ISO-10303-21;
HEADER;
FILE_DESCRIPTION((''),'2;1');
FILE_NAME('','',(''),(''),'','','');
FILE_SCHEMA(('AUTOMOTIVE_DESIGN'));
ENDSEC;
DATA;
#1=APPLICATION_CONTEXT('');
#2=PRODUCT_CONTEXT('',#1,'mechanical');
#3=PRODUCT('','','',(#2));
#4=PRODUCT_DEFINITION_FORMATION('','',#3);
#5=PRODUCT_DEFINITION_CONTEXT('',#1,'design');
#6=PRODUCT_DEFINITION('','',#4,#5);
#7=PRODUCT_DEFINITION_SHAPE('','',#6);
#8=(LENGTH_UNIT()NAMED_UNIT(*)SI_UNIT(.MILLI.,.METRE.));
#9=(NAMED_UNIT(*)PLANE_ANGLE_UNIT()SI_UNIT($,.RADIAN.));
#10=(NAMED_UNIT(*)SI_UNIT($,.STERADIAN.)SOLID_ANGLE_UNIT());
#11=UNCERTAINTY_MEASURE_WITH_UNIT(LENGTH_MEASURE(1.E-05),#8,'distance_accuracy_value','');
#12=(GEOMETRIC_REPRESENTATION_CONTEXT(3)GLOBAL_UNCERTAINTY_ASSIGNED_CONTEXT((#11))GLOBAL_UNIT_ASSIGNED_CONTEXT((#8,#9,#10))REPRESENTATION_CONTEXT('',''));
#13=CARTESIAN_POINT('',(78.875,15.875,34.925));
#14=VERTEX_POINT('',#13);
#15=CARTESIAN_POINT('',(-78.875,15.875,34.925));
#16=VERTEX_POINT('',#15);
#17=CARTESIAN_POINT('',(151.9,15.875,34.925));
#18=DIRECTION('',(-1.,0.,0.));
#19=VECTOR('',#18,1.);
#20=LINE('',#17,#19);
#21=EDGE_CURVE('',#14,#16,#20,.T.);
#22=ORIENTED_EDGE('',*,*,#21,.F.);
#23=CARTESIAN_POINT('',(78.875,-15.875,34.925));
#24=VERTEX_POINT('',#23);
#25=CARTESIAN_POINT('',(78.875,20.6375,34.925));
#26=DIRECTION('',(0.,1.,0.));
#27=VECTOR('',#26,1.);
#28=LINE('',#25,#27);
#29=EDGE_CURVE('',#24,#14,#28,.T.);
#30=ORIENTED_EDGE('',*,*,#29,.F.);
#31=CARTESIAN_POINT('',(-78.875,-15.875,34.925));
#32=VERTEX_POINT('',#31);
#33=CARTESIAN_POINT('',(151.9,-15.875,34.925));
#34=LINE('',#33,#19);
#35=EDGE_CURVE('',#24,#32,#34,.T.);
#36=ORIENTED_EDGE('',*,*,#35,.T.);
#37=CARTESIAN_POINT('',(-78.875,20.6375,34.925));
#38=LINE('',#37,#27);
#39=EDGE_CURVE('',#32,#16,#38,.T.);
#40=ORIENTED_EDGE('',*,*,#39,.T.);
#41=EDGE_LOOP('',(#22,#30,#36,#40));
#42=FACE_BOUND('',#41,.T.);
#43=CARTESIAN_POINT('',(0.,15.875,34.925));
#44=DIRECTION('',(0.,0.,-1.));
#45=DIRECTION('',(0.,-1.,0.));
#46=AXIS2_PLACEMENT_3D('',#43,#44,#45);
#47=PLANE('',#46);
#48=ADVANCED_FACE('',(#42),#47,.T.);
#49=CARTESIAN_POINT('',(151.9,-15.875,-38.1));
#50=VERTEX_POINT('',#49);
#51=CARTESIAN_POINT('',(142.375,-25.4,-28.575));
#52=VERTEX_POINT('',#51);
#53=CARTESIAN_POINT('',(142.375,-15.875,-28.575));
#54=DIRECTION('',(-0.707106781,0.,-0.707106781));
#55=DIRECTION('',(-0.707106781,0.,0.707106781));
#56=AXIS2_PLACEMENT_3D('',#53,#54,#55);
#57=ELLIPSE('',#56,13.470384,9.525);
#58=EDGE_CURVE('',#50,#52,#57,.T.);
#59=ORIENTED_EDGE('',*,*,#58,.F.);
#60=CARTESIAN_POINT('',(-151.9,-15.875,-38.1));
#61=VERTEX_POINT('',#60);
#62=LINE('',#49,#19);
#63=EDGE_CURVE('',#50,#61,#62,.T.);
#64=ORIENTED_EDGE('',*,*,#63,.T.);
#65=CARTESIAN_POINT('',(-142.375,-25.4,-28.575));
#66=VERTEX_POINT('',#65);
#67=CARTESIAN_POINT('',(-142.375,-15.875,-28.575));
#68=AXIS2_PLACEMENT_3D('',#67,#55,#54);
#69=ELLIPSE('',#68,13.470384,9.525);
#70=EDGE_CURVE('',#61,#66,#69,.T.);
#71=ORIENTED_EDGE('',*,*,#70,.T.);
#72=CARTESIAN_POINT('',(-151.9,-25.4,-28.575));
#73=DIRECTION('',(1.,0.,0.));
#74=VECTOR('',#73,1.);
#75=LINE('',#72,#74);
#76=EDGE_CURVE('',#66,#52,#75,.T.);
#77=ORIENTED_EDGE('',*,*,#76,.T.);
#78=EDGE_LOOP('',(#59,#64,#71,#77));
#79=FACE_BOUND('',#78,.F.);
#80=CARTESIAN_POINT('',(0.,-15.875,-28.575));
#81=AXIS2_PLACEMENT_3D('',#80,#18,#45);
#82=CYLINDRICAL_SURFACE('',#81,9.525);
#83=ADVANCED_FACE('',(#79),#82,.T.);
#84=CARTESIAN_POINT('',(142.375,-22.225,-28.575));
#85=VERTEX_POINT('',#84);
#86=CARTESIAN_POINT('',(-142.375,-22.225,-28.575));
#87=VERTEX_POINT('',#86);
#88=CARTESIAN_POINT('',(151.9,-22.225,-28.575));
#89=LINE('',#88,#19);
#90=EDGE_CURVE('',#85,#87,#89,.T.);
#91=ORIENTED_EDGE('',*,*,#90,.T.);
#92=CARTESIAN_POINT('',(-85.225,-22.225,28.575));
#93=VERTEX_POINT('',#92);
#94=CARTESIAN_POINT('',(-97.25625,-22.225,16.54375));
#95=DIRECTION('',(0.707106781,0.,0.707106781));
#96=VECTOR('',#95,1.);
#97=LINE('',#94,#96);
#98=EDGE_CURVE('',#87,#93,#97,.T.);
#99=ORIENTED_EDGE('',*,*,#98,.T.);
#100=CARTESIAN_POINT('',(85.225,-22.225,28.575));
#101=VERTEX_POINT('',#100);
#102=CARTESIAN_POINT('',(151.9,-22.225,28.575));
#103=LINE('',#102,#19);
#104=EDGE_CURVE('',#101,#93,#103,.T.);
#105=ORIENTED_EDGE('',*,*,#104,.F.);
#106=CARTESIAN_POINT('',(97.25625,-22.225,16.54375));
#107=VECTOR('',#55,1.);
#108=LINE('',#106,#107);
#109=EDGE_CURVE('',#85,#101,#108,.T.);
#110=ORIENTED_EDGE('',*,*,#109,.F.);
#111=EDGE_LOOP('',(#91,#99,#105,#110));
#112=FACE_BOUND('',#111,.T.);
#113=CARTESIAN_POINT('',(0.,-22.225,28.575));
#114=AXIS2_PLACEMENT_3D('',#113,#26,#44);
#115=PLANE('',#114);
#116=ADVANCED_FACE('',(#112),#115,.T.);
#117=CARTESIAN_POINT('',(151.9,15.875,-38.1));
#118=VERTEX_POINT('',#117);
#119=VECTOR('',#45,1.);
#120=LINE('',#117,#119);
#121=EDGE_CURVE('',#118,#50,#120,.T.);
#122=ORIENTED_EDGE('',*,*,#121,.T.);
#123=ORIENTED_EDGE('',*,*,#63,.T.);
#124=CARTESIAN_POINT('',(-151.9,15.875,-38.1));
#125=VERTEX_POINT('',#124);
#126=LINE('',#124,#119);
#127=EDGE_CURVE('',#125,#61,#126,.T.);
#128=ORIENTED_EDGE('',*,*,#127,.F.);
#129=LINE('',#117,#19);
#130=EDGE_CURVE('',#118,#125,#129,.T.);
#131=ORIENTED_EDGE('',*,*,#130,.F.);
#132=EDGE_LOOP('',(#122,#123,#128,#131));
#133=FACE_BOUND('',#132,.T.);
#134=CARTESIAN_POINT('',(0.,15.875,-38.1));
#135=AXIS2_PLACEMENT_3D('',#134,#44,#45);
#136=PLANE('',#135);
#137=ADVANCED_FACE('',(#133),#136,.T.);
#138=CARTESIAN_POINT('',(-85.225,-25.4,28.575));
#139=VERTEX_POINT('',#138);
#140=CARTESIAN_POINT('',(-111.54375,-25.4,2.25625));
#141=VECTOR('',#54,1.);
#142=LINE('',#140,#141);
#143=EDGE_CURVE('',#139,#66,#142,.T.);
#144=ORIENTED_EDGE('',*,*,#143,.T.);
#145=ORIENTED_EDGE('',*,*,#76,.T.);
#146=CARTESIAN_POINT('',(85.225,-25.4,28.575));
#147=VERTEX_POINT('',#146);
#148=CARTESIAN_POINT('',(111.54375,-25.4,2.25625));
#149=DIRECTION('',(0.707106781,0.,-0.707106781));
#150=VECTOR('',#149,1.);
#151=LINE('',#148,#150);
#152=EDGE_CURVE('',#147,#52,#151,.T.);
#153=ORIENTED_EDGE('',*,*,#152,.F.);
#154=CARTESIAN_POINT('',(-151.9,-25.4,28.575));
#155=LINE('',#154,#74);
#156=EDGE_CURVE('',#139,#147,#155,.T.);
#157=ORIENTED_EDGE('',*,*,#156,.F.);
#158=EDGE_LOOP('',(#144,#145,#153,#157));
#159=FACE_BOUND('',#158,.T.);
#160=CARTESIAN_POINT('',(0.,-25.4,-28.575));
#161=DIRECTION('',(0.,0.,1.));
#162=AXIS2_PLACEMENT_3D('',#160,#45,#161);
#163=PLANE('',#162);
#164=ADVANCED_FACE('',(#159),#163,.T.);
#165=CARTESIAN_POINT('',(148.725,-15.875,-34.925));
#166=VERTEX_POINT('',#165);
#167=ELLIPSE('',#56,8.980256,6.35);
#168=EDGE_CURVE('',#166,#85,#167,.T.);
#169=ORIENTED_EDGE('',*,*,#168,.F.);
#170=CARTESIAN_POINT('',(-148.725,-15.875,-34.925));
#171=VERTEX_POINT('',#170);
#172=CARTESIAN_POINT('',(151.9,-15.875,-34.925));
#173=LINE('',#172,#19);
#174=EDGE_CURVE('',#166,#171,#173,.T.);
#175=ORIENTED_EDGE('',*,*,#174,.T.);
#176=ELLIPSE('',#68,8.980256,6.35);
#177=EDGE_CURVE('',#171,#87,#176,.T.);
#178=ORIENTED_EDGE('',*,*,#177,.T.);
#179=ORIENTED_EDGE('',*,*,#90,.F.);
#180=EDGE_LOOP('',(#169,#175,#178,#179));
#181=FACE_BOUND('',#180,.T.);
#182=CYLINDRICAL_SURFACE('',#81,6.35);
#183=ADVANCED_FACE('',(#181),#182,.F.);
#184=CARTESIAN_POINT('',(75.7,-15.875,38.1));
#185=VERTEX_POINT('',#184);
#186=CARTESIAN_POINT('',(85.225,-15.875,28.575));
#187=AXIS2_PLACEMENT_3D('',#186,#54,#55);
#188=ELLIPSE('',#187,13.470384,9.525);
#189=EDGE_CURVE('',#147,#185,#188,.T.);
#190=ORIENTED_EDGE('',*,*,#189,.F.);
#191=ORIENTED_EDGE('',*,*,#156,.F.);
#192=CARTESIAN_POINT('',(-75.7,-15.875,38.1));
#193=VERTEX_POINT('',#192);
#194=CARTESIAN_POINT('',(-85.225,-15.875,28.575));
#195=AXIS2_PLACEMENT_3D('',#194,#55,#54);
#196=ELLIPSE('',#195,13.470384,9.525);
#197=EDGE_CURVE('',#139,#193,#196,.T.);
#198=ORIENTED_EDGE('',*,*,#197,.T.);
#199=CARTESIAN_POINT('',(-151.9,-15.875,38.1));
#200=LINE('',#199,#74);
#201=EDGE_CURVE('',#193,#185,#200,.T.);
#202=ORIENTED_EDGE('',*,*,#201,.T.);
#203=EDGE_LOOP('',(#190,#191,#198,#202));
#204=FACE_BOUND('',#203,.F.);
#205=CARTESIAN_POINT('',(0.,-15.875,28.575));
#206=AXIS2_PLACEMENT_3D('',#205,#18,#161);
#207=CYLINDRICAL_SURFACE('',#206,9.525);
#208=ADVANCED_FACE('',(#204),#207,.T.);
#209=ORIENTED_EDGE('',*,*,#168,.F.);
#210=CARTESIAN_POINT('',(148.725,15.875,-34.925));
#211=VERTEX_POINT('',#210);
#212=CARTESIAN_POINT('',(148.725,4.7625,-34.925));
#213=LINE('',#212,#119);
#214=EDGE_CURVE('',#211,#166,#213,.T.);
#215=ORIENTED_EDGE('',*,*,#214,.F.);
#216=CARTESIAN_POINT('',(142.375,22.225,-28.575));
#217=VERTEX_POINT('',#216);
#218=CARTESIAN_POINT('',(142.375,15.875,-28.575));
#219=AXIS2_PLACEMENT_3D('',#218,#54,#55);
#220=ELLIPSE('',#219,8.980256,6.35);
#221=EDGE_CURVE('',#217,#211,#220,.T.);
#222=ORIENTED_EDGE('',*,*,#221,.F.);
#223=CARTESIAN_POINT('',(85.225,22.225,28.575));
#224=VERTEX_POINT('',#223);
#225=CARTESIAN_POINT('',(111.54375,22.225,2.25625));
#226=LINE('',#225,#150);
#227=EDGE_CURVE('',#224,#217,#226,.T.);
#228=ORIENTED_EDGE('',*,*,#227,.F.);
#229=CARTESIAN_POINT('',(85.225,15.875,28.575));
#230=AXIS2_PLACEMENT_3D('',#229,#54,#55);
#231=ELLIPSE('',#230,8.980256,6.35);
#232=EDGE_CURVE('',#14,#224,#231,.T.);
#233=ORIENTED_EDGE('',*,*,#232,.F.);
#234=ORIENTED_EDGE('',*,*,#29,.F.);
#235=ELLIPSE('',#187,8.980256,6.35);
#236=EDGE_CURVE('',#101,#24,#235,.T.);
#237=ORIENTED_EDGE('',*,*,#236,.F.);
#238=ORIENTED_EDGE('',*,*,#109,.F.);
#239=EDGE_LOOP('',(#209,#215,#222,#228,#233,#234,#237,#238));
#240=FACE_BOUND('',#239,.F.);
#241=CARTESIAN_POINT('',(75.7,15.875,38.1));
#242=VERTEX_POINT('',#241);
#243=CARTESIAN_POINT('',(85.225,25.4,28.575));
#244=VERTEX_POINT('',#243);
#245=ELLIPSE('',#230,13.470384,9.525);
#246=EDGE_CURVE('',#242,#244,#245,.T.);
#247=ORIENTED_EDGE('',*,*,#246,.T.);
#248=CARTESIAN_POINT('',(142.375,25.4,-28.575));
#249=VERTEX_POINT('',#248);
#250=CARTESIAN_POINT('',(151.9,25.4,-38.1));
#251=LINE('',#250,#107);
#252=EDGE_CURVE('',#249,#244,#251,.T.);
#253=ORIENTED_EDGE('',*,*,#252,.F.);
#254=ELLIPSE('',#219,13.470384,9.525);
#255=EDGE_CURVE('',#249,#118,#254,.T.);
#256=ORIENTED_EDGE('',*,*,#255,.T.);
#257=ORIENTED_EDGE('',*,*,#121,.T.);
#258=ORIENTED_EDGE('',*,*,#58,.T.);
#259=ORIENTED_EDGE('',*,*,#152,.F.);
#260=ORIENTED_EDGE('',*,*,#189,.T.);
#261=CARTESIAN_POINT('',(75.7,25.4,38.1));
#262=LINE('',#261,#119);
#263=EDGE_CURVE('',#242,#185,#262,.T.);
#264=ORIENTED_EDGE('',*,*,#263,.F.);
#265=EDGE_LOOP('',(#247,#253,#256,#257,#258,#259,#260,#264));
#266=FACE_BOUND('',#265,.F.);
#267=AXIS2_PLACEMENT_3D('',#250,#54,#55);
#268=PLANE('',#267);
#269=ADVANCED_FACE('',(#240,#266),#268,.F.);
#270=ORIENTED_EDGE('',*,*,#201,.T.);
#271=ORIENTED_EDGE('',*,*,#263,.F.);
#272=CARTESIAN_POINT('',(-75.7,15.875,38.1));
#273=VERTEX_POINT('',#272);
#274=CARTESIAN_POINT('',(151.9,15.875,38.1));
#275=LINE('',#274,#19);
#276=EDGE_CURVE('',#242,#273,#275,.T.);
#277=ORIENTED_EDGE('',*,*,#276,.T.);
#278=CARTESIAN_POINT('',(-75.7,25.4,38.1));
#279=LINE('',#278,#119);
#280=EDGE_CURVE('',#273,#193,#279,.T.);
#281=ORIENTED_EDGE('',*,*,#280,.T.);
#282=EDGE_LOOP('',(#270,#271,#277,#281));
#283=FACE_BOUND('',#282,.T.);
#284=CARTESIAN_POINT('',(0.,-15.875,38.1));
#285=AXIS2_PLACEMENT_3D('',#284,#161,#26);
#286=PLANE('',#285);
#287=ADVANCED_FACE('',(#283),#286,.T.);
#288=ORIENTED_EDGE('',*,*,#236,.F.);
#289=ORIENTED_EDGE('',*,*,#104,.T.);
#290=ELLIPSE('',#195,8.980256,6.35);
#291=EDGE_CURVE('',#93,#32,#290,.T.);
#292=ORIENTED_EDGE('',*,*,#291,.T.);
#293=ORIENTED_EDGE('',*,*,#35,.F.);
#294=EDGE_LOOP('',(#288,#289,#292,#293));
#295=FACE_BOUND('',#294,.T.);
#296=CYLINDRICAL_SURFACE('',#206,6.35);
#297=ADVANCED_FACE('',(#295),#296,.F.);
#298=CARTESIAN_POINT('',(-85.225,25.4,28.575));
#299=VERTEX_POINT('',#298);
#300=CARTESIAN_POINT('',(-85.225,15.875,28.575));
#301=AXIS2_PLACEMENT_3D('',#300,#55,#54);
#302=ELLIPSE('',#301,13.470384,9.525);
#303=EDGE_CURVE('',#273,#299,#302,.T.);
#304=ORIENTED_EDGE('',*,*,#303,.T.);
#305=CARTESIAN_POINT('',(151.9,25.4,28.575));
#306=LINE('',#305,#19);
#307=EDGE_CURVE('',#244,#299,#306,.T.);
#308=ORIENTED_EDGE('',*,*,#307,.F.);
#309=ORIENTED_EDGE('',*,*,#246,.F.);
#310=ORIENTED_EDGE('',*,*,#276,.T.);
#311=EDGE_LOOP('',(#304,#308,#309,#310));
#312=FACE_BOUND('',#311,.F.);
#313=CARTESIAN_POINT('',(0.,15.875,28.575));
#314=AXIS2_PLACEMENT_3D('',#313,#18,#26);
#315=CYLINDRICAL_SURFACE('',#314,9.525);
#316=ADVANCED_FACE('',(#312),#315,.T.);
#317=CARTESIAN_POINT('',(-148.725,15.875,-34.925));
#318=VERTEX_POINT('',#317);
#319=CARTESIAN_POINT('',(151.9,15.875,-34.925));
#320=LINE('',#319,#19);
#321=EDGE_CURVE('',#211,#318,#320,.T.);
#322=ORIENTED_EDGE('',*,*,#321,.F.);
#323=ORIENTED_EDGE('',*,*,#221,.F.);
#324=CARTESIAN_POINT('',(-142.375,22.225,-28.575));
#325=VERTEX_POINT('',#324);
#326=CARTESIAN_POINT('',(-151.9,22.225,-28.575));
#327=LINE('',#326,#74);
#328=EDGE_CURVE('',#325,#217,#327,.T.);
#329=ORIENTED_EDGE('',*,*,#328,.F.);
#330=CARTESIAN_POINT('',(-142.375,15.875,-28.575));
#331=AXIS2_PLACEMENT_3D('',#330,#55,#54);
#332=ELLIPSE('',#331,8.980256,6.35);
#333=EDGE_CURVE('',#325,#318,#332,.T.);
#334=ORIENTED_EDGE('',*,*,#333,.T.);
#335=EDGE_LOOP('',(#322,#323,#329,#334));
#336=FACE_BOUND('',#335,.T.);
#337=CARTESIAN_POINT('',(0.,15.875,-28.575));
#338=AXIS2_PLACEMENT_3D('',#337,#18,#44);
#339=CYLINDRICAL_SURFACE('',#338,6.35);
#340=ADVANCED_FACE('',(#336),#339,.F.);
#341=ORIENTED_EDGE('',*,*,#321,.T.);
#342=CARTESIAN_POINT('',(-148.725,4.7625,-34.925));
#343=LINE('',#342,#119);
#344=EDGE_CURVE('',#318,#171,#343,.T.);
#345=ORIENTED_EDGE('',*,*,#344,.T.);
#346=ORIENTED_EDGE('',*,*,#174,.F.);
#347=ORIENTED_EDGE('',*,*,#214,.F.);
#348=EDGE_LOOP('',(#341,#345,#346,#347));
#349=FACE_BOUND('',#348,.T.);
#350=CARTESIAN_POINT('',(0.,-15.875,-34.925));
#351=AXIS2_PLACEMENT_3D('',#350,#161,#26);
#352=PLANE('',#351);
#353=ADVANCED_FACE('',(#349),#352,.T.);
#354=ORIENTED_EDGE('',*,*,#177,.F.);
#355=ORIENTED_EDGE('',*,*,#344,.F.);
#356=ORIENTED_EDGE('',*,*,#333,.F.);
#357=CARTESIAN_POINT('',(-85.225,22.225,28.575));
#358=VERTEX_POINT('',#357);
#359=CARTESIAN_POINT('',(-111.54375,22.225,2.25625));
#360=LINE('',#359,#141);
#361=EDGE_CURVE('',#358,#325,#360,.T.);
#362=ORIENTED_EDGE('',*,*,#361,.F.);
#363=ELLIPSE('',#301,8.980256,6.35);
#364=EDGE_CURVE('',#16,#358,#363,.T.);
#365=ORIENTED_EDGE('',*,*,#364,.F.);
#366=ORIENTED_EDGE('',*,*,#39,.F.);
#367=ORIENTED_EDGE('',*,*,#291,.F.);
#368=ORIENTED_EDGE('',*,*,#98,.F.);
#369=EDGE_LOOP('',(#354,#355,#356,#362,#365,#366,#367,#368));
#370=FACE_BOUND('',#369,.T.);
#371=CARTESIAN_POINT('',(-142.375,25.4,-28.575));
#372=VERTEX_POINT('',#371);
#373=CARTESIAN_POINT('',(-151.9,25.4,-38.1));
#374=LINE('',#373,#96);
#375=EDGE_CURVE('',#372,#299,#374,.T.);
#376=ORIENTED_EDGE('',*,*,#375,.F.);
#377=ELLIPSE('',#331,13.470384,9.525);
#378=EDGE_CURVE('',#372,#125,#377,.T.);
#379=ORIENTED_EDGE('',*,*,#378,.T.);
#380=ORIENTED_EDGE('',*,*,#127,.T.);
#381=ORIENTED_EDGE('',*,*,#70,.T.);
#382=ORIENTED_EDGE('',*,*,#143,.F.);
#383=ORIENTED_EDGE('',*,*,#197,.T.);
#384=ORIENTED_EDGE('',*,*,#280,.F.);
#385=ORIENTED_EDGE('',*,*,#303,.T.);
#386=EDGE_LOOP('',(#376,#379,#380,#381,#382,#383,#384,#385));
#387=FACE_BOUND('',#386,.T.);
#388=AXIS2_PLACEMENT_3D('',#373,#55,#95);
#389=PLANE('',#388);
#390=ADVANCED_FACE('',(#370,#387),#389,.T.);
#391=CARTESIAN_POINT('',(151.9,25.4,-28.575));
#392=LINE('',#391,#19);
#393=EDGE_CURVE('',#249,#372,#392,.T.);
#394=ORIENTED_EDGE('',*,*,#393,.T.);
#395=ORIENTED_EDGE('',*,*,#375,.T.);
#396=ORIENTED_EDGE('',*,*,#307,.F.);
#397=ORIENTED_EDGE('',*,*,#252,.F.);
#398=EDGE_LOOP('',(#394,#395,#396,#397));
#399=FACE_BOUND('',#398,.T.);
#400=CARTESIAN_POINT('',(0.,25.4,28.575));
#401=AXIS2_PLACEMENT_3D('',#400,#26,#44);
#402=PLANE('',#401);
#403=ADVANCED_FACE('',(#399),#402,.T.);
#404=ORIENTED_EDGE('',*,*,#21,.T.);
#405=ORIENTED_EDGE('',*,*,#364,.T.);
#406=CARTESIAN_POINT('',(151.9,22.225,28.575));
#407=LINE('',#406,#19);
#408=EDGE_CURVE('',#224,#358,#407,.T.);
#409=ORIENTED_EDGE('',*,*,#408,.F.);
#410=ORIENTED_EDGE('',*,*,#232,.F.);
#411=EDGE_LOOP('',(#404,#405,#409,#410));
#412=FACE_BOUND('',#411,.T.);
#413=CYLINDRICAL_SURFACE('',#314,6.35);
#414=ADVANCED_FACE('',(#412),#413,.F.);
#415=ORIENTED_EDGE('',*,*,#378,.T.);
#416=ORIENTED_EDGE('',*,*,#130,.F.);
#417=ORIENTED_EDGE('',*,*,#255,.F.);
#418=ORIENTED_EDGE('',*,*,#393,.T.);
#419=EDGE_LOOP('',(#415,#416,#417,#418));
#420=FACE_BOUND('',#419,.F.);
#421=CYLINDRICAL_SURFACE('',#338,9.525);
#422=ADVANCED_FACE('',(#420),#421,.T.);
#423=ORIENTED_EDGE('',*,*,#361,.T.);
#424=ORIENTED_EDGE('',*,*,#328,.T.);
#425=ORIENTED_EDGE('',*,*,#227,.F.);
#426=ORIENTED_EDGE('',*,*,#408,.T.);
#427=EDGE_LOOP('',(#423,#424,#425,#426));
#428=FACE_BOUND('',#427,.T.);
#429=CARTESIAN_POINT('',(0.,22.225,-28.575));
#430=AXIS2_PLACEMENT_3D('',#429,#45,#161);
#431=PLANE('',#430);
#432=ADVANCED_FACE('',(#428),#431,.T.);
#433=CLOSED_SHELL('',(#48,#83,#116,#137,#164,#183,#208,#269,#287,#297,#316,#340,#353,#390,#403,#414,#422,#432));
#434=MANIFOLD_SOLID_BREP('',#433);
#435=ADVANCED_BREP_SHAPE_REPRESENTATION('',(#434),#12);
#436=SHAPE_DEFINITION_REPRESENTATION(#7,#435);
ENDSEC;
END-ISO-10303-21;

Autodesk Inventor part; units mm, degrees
ref_plane "YZ Plane" through (0, 0, 0) normal (1, 0, 0) x (0, 1, 0)
ref_plane "XZ Plane" through (0, 0, 0) normal (0, 1, 0) x (-1, 0, 0)
ref_plane "XY Plane" through (0, 0, 0) normal (0, 0, 1) x (1, 0, 0)
sketch "Sketch1" plane through (0, 0, 0) normal (1, 0, 0) x (0, 1, 0)
  line L0 (-15.875, 38.1) -> (15.875, 38.1)
  line L1 (25.4, 28.575) -> (25.4, -28.575)
  line L2 (15.875, -38.1) -> (-15.875, -38.1)
  line L3 (-25.4, -28.575) -> (-25.4, 28.575)
  line L4 (-25.4, 38.1) -> (25.4, -38.1) construction
  line L5 (25.4, 38.1) -> (-25.4, -38.1) construction
  arc A0 (25.4, 28.575) -> (15.875, 38.1) centre (15.875, 28.575) ccw
  arc A1 (-15.875, 38.1) -> (-25.4, 28.575) centre (-15.875, 28.575) ccw
  arc A2 (-25.4, -28.575) -> (-15.875, -38.1) centre (-15.875, -28.575) ccw
  arc A3 (15.875, -38.1) -> (25.4, -28.575) centre (15.875, -28.575) ccw
  line L6 (22.225, -28.575) -> (22.225, 28.575)
  arc A4 (22.225, 28.575) -> (15.875, 34.925) centre (15.875, 28.575) ccw
  line L7 (15.875, 34.925) -> (-15.875, 34.925)
  arc A5 (-15.875, 34.925) -> (-22.225, 28.575) centre (-15.875, 28.575) ccw
  line L8 (-22.225, 28.575) -> (-22.225, -28.575)
  arc A6 (-22.225, -28.575) -> (-15.875, -34.925) centre (-15.875, -28.575) ccw
  line L9 (-15.875, -34.925) -> (15.875, -34.925)
  arc A7 (15.875, -34.925) -> (22.225, -28.575) centre (15.875, -28.575) ccw
  point P0 (0, 0)
  dimension "d0" = 76.2
  dimension "d1" = 50.8
  dimension "d2" = 9.525
  dimension "d3" = 3.175
extrude "Extrusion1" add sketch "Sketch1" along normal mid plane 303.8
sketch "Sketch2" plane through (-151.9, 25.4, 28.575) normal (0, 1, 0) x (1, 0, 0)
  line L0 (303.8, 57.15) -> (303.8, 66.675) projected
  line L1 (303.8, 66.675) -> (227.6, -9.525)
  line L2 (0, -9.525) -> (303.8, -9.525) projected
  line L3 (303.8, 66.675) -> (411.5631, 66.675) construction
  line L4 (227.6, -9.525) -> (303.8, -9.525)
  line L5 (303.8, -9.525) -> (303.8, 66.675)
  line L6 (151.9, 28.575) -> (151.9, -9.525)
  line L7 (0, 66.675) -> (76.2, -9.525)
  line L8 (76.2, -9.525) -> (0, -9.525)
  line L9 (0, -9.525) -> (0, 66.675)
  dimension "d6" = 135
extrude "Extrusion2" cut sketch "Sketch2" against normal through all
equation "\"d0\" = stockWidth"
equation "\"d1\" = stockHeight"
equation "\"d2\" = stockRad"
equation "\"d3\" = stockGuage"
equation "\"height\" = 203.2"
equation "\"shaftDiam\" = 6.35"
equation "\"shaftSpace\" = 1.5875"
equation "\"stageSpace\" = 2.54"
equation "\"stageAngle\" = 15deg"
equation "\"stockHeight\" = 50.8"
equation "\"stockWidth\" = 76.2"
equation "\"stockRad\" = 9.525"
equation "\"stockGuage\" = 3.175"
equation "\"groundActu\" = 304.8"
equation "\"baseWidth\" = 1066.8"
equation "\"baseDepth\" = 254"
equation "\"capThickness\" = 3.175"
equation "\"sup1Ang\" = 22.619865deg"
equation "\"sup1Len\" = 660.4"
equation "\"supVertLen\" = 955.13561"
equation "\"sup2Ang\" = 8.959949deg"
equation "\"sup2Len\" = 2079.37366"
equation "\"supSideAng\" = 19.376933deg"
equation "\"supSideLen\" = 1531.12879"
equation "\"FlangeDiam\" = 12.7"
equation "\"bearingDiam\" = 9.5504"
equation "\"FlangeDepth\" = 1.5875"
equation "\"smallFilet\" = 0.39687"
equation "\"thickness\" = 12.7"
equation "\"ringDiam\" = 96.46608"
properties part number "back bar" material "Aluminum 6061"
